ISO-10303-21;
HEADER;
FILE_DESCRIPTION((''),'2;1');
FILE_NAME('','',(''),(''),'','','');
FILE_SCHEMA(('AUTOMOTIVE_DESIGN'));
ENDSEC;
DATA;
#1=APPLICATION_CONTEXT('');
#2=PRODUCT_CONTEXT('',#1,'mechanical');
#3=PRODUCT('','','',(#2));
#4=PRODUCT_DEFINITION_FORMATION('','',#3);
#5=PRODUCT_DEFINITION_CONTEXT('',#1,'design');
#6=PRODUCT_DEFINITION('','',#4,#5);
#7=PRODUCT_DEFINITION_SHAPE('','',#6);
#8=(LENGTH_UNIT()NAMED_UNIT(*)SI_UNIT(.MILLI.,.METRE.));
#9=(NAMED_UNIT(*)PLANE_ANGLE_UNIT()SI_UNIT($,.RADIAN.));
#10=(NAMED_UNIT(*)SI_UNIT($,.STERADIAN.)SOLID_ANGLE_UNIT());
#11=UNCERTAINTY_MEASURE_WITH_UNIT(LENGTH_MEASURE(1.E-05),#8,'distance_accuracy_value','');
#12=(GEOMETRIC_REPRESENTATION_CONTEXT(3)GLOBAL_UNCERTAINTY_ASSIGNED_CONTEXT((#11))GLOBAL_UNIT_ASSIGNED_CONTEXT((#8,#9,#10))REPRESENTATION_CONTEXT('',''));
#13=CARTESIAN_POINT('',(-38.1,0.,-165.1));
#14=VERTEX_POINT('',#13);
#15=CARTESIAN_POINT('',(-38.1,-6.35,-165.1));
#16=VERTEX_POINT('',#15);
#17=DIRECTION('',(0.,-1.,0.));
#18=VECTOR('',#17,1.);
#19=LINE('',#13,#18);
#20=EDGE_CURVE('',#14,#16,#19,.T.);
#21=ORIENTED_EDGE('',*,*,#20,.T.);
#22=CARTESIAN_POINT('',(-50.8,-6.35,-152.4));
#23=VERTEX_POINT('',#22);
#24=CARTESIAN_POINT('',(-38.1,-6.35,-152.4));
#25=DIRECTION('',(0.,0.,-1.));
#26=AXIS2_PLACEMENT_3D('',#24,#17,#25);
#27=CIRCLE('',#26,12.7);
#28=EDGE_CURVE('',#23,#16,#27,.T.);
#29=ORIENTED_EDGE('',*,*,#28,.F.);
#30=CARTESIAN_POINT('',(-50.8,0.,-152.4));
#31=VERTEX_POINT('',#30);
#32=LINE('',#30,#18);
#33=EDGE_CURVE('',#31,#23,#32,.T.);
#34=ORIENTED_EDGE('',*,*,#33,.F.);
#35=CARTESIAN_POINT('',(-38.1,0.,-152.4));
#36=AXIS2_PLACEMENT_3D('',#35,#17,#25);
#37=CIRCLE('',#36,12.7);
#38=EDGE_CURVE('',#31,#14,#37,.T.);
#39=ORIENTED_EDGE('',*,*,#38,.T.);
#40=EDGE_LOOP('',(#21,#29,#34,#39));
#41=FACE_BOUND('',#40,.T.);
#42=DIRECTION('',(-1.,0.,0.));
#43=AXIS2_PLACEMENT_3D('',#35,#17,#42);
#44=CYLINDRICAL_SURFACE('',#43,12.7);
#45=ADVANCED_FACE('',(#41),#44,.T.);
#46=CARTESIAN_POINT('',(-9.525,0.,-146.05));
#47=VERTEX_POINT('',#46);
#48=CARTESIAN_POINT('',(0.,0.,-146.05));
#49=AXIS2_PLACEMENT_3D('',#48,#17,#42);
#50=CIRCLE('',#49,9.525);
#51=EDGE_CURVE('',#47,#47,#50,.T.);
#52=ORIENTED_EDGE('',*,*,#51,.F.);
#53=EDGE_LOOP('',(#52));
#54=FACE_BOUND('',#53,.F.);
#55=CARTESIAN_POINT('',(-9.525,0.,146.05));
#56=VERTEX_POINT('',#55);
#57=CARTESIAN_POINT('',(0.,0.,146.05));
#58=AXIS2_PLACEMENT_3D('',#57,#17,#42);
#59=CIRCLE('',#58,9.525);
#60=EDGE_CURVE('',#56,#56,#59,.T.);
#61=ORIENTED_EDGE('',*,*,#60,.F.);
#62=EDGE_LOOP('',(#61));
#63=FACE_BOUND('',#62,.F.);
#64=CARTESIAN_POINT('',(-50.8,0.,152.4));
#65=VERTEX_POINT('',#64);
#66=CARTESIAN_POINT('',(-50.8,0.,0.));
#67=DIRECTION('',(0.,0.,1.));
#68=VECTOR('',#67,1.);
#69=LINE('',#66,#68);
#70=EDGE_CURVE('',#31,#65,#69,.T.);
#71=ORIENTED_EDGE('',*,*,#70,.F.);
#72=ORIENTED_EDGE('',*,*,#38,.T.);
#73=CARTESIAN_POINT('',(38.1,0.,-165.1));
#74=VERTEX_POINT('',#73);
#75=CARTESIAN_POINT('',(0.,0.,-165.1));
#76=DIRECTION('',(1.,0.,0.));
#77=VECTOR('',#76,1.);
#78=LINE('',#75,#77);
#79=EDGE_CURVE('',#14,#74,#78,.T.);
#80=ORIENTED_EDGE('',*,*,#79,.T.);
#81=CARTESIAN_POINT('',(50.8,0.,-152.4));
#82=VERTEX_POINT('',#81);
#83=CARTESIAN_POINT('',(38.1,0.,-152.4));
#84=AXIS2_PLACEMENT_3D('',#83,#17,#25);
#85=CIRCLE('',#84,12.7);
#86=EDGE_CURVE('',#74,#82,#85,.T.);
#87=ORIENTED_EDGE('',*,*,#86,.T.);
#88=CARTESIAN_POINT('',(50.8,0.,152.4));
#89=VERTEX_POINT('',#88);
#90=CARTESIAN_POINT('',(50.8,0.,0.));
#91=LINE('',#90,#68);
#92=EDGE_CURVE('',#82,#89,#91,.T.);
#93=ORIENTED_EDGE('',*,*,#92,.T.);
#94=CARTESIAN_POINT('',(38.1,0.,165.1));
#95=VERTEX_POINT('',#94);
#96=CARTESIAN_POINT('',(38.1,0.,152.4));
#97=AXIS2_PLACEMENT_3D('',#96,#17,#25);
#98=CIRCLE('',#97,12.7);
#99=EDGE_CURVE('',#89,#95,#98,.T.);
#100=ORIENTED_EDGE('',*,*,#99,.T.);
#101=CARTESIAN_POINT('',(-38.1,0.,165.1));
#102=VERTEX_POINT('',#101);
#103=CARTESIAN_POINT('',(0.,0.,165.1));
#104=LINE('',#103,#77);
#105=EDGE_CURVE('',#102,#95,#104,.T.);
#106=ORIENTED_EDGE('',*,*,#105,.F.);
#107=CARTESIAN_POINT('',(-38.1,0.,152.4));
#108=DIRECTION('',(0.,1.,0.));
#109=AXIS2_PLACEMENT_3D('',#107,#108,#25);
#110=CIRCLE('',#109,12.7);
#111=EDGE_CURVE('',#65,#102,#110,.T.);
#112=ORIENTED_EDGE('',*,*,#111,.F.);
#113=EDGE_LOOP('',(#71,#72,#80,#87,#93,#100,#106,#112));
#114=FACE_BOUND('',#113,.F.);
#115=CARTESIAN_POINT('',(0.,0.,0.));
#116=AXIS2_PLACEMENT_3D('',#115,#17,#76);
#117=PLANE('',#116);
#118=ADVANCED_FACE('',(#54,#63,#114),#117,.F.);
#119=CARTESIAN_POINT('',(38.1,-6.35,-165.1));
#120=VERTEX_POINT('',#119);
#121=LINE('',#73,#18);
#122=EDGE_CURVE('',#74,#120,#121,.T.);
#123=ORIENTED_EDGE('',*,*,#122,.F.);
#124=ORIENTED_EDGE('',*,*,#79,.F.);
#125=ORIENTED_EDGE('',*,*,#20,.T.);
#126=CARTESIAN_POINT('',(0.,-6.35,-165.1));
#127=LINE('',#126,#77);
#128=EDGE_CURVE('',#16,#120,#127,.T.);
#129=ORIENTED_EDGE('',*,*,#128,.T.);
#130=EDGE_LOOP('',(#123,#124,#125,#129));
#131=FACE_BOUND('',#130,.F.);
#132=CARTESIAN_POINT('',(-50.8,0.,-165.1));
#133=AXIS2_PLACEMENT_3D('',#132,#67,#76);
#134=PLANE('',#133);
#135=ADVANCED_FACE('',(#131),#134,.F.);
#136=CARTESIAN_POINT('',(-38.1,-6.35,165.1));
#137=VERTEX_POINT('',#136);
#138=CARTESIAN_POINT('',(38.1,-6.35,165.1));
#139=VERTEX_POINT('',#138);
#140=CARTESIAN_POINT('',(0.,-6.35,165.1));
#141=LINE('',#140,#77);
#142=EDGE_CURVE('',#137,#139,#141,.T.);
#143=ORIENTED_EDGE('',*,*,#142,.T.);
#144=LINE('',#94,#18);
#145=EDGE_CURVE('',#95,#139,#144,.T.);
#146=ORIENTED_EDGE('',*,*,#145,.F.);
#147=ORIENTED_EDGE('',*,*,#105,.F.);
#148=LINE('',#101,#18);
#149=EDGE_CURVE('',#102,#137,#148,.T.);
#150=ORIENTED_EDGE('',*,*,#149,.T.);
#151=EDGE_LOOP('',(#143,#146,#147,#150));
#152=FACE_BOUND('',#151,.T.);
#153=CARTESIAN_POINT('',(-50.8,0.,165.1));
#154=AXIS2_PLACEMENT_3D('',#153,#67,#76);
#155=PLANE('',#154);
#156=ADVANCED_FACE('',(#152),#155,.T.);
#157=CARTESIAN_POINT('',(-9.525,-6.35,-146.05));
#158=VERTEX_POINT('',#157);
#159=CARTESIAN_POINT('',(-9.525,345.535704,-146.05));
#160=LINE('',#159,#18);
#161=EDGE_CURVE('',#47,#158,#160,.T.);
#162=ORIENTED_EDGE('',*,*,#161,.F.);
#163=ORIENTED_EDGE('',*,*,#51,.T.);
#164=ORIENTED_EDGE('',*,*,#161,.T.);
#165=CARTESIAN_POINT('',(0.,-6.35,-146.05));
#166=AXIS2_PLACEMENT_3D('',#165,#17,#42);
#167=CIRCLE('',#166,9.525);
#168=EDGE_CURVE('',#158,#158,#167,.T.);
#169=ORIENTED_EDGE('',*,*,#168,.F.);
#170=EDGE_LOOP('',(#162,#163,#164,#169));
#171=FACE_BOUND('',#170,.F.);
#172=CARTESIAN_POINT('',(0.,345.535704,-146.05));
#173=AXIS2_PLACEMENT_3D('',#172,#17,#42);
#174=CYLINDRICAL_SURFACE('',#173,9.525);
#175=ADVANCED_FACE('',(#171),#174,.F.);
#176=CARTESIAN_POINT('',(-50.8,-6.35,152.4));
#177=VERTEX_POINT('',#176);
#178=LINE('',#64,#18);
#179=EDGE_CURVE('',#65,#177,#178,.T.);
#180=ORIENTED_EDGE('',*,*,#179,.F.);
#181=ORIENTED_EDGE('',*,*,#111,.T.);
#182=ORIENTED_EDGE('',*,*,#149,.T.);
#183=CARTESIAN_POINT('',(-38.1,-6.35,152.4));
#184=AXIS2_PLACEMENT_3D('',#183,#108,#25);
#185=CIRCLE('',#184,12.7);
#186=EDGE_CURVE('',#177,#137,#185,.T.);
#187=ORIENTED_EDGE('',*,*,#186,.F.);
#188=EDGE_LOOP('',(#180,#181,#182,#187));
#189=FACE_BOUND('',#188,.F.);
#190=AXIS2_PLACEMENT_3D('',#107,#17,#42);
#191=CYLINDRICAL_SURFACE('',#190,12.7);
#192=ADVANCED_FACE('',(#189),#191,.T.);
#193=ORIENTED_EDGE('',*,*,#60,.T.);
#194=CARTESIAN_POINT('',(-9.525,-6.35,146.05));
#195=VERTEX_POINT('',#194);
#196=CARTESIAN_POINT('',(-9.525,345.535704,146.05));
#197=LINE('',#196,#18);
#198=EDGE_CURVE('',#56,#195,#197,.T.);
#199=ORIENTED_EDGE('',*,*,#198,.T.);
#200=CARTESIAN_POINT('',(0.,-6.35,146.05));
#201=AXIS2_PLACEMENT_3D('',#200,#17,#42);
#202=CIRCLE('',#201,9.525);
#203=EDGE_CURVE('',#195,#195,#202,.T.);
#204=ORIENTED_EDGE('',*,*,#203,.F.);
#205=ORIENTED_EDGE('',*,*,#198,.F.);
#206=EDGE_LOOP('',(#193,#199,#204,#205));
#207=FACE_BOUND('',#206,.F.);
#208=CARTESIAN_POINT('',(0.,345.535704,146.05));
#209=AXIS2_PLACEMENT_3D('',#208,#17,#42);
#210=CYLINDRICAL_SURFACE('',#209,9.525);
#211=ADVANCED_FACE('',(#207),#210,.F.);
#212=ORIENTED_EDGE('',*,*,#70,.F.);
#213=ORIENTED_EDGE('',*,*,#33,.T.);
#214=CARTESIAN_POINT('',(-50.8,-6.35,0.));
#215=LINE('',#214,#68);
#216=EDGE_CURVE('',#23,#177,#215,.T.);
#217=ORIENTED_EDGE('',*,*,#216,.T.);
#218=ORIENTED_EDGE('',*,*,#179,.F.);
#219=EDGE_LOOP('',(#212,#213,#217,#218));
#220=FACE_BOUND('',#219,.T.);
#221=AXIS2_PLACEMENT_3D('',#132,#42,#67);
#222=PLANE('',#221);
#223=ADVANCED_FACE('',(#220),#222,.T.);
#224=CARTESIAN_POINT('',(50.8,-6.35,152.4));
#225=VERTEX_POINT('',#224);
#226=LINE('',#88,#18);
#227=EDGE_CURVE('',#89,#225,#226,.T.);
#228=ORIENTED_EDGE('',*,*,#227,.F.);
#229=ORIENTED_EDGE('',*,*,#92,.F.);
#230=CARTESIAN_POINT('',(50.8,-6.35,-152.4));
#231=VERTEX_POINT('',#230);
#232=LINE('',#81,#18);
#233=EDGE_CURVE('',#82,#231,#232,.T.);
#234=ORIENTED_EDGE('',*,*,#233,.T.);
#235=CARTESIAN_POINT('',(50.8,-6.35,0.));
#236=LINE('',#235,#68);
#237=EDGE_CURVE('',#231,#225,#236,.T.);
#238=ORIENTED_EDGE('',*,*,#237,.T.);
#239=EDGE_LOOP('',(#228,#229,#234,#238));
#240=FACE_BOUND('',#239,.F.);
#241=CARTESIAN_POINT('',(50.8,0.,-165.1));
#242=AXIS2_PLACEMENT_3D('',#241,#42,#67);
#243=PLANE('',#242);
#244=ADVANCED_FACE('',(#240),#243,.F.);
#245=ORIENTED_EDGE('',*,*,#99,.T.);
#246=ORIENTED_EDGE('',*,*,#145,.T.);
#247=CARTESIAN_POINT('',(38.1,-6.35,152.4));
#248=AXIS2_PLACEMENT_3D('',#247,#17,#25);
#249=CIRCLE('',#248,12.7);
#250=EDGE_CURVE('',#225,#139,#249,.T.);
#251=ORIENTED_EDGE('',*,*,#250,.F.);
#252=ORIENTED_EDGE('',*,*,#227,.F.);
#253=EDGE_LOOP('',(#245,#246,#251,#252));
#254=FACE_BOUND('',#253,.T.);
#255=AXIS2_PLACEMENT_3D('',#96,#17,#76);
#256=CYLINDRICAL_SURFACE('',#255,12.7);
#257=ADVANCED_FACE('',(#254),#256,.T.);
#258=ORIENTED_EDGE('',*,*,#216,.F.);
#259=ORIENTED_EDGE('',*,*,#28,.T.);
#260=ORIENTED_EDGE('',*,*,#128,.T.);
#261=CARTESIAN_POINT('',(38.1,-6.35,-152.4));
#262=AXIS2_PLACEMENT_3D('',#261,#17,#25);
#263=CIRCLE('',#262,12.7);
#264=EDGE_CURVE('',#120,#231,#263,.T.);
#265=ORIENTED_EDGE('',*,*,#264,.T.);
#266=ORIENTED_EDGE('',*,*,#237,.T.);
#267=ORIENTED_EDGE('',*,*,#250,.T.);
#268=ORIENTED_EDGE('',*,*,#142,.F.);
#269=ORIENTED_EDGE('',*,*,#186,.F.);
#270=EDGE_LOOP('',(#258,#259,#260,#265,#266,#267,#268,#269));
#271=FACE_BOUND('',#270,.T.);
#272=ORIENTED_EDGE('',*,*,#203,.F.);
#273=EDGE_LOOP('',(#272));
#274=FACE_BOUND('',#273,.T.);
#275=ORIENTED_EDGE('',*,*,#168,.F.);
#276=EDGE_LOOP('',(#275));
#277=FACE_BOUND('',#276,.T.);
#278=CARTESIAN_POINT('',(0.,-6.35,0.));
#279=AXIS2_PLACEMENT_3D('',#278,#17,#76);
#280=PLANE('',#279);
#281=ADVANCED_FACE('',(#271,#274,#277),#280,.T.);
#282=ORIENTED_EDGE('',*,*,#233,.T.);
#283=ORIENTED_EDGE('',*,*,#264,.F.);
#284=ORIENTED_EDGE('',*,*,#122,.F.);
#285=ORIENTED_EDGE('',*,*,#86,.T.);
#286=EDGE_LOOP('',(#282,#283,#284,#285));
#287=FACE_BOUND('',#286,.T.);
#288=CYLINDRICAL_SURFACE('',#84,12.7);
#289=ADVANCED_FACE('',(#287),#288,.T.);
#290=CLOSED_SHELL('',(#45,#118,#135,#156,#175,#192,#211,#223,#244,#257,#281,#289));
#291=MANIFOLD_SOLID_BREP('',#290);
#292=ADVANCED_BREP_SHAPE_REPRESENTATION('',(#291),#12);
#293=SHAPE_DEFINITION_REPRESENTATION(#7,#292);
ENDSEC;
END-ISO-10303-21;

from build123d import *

# Parameters (mm, degrees)
F0_W     = 101.6
F0_H     = 330.2
F1_DEPTH = 6.35
F2_R     = 12.7
F4_D     = 19.05


with BuildPart() as f1:
    # F0 (on Front) → F1 (new body)
    with BuildSketch(Plane.XZ):
        Rectangle(F0_W, F0_H)
    extrude(amount=F1_DEPTH)

    # F2
    f2_edges = [f1.edges().sort_by_distance(p)[0] for p in [
        (50.8, -3.175, 165.1),
        (-50.8, -3.175, 165.1),
        (50.8, -3.175, -165.1),
        (-50.8, -3.175, -165.1),
    ]]
    fillet(f2_edges, radius=F2_R)

    # F4 (through all)
    with Locations(Plane(origin=(0, 0, 0), x_dir=(1, 0, 0), z_dir=(0, 1, 0))):
        with Locations((0, 146.05), (0, -146.05)):
            Hole(F4_D / 2)


solid = f1.part
